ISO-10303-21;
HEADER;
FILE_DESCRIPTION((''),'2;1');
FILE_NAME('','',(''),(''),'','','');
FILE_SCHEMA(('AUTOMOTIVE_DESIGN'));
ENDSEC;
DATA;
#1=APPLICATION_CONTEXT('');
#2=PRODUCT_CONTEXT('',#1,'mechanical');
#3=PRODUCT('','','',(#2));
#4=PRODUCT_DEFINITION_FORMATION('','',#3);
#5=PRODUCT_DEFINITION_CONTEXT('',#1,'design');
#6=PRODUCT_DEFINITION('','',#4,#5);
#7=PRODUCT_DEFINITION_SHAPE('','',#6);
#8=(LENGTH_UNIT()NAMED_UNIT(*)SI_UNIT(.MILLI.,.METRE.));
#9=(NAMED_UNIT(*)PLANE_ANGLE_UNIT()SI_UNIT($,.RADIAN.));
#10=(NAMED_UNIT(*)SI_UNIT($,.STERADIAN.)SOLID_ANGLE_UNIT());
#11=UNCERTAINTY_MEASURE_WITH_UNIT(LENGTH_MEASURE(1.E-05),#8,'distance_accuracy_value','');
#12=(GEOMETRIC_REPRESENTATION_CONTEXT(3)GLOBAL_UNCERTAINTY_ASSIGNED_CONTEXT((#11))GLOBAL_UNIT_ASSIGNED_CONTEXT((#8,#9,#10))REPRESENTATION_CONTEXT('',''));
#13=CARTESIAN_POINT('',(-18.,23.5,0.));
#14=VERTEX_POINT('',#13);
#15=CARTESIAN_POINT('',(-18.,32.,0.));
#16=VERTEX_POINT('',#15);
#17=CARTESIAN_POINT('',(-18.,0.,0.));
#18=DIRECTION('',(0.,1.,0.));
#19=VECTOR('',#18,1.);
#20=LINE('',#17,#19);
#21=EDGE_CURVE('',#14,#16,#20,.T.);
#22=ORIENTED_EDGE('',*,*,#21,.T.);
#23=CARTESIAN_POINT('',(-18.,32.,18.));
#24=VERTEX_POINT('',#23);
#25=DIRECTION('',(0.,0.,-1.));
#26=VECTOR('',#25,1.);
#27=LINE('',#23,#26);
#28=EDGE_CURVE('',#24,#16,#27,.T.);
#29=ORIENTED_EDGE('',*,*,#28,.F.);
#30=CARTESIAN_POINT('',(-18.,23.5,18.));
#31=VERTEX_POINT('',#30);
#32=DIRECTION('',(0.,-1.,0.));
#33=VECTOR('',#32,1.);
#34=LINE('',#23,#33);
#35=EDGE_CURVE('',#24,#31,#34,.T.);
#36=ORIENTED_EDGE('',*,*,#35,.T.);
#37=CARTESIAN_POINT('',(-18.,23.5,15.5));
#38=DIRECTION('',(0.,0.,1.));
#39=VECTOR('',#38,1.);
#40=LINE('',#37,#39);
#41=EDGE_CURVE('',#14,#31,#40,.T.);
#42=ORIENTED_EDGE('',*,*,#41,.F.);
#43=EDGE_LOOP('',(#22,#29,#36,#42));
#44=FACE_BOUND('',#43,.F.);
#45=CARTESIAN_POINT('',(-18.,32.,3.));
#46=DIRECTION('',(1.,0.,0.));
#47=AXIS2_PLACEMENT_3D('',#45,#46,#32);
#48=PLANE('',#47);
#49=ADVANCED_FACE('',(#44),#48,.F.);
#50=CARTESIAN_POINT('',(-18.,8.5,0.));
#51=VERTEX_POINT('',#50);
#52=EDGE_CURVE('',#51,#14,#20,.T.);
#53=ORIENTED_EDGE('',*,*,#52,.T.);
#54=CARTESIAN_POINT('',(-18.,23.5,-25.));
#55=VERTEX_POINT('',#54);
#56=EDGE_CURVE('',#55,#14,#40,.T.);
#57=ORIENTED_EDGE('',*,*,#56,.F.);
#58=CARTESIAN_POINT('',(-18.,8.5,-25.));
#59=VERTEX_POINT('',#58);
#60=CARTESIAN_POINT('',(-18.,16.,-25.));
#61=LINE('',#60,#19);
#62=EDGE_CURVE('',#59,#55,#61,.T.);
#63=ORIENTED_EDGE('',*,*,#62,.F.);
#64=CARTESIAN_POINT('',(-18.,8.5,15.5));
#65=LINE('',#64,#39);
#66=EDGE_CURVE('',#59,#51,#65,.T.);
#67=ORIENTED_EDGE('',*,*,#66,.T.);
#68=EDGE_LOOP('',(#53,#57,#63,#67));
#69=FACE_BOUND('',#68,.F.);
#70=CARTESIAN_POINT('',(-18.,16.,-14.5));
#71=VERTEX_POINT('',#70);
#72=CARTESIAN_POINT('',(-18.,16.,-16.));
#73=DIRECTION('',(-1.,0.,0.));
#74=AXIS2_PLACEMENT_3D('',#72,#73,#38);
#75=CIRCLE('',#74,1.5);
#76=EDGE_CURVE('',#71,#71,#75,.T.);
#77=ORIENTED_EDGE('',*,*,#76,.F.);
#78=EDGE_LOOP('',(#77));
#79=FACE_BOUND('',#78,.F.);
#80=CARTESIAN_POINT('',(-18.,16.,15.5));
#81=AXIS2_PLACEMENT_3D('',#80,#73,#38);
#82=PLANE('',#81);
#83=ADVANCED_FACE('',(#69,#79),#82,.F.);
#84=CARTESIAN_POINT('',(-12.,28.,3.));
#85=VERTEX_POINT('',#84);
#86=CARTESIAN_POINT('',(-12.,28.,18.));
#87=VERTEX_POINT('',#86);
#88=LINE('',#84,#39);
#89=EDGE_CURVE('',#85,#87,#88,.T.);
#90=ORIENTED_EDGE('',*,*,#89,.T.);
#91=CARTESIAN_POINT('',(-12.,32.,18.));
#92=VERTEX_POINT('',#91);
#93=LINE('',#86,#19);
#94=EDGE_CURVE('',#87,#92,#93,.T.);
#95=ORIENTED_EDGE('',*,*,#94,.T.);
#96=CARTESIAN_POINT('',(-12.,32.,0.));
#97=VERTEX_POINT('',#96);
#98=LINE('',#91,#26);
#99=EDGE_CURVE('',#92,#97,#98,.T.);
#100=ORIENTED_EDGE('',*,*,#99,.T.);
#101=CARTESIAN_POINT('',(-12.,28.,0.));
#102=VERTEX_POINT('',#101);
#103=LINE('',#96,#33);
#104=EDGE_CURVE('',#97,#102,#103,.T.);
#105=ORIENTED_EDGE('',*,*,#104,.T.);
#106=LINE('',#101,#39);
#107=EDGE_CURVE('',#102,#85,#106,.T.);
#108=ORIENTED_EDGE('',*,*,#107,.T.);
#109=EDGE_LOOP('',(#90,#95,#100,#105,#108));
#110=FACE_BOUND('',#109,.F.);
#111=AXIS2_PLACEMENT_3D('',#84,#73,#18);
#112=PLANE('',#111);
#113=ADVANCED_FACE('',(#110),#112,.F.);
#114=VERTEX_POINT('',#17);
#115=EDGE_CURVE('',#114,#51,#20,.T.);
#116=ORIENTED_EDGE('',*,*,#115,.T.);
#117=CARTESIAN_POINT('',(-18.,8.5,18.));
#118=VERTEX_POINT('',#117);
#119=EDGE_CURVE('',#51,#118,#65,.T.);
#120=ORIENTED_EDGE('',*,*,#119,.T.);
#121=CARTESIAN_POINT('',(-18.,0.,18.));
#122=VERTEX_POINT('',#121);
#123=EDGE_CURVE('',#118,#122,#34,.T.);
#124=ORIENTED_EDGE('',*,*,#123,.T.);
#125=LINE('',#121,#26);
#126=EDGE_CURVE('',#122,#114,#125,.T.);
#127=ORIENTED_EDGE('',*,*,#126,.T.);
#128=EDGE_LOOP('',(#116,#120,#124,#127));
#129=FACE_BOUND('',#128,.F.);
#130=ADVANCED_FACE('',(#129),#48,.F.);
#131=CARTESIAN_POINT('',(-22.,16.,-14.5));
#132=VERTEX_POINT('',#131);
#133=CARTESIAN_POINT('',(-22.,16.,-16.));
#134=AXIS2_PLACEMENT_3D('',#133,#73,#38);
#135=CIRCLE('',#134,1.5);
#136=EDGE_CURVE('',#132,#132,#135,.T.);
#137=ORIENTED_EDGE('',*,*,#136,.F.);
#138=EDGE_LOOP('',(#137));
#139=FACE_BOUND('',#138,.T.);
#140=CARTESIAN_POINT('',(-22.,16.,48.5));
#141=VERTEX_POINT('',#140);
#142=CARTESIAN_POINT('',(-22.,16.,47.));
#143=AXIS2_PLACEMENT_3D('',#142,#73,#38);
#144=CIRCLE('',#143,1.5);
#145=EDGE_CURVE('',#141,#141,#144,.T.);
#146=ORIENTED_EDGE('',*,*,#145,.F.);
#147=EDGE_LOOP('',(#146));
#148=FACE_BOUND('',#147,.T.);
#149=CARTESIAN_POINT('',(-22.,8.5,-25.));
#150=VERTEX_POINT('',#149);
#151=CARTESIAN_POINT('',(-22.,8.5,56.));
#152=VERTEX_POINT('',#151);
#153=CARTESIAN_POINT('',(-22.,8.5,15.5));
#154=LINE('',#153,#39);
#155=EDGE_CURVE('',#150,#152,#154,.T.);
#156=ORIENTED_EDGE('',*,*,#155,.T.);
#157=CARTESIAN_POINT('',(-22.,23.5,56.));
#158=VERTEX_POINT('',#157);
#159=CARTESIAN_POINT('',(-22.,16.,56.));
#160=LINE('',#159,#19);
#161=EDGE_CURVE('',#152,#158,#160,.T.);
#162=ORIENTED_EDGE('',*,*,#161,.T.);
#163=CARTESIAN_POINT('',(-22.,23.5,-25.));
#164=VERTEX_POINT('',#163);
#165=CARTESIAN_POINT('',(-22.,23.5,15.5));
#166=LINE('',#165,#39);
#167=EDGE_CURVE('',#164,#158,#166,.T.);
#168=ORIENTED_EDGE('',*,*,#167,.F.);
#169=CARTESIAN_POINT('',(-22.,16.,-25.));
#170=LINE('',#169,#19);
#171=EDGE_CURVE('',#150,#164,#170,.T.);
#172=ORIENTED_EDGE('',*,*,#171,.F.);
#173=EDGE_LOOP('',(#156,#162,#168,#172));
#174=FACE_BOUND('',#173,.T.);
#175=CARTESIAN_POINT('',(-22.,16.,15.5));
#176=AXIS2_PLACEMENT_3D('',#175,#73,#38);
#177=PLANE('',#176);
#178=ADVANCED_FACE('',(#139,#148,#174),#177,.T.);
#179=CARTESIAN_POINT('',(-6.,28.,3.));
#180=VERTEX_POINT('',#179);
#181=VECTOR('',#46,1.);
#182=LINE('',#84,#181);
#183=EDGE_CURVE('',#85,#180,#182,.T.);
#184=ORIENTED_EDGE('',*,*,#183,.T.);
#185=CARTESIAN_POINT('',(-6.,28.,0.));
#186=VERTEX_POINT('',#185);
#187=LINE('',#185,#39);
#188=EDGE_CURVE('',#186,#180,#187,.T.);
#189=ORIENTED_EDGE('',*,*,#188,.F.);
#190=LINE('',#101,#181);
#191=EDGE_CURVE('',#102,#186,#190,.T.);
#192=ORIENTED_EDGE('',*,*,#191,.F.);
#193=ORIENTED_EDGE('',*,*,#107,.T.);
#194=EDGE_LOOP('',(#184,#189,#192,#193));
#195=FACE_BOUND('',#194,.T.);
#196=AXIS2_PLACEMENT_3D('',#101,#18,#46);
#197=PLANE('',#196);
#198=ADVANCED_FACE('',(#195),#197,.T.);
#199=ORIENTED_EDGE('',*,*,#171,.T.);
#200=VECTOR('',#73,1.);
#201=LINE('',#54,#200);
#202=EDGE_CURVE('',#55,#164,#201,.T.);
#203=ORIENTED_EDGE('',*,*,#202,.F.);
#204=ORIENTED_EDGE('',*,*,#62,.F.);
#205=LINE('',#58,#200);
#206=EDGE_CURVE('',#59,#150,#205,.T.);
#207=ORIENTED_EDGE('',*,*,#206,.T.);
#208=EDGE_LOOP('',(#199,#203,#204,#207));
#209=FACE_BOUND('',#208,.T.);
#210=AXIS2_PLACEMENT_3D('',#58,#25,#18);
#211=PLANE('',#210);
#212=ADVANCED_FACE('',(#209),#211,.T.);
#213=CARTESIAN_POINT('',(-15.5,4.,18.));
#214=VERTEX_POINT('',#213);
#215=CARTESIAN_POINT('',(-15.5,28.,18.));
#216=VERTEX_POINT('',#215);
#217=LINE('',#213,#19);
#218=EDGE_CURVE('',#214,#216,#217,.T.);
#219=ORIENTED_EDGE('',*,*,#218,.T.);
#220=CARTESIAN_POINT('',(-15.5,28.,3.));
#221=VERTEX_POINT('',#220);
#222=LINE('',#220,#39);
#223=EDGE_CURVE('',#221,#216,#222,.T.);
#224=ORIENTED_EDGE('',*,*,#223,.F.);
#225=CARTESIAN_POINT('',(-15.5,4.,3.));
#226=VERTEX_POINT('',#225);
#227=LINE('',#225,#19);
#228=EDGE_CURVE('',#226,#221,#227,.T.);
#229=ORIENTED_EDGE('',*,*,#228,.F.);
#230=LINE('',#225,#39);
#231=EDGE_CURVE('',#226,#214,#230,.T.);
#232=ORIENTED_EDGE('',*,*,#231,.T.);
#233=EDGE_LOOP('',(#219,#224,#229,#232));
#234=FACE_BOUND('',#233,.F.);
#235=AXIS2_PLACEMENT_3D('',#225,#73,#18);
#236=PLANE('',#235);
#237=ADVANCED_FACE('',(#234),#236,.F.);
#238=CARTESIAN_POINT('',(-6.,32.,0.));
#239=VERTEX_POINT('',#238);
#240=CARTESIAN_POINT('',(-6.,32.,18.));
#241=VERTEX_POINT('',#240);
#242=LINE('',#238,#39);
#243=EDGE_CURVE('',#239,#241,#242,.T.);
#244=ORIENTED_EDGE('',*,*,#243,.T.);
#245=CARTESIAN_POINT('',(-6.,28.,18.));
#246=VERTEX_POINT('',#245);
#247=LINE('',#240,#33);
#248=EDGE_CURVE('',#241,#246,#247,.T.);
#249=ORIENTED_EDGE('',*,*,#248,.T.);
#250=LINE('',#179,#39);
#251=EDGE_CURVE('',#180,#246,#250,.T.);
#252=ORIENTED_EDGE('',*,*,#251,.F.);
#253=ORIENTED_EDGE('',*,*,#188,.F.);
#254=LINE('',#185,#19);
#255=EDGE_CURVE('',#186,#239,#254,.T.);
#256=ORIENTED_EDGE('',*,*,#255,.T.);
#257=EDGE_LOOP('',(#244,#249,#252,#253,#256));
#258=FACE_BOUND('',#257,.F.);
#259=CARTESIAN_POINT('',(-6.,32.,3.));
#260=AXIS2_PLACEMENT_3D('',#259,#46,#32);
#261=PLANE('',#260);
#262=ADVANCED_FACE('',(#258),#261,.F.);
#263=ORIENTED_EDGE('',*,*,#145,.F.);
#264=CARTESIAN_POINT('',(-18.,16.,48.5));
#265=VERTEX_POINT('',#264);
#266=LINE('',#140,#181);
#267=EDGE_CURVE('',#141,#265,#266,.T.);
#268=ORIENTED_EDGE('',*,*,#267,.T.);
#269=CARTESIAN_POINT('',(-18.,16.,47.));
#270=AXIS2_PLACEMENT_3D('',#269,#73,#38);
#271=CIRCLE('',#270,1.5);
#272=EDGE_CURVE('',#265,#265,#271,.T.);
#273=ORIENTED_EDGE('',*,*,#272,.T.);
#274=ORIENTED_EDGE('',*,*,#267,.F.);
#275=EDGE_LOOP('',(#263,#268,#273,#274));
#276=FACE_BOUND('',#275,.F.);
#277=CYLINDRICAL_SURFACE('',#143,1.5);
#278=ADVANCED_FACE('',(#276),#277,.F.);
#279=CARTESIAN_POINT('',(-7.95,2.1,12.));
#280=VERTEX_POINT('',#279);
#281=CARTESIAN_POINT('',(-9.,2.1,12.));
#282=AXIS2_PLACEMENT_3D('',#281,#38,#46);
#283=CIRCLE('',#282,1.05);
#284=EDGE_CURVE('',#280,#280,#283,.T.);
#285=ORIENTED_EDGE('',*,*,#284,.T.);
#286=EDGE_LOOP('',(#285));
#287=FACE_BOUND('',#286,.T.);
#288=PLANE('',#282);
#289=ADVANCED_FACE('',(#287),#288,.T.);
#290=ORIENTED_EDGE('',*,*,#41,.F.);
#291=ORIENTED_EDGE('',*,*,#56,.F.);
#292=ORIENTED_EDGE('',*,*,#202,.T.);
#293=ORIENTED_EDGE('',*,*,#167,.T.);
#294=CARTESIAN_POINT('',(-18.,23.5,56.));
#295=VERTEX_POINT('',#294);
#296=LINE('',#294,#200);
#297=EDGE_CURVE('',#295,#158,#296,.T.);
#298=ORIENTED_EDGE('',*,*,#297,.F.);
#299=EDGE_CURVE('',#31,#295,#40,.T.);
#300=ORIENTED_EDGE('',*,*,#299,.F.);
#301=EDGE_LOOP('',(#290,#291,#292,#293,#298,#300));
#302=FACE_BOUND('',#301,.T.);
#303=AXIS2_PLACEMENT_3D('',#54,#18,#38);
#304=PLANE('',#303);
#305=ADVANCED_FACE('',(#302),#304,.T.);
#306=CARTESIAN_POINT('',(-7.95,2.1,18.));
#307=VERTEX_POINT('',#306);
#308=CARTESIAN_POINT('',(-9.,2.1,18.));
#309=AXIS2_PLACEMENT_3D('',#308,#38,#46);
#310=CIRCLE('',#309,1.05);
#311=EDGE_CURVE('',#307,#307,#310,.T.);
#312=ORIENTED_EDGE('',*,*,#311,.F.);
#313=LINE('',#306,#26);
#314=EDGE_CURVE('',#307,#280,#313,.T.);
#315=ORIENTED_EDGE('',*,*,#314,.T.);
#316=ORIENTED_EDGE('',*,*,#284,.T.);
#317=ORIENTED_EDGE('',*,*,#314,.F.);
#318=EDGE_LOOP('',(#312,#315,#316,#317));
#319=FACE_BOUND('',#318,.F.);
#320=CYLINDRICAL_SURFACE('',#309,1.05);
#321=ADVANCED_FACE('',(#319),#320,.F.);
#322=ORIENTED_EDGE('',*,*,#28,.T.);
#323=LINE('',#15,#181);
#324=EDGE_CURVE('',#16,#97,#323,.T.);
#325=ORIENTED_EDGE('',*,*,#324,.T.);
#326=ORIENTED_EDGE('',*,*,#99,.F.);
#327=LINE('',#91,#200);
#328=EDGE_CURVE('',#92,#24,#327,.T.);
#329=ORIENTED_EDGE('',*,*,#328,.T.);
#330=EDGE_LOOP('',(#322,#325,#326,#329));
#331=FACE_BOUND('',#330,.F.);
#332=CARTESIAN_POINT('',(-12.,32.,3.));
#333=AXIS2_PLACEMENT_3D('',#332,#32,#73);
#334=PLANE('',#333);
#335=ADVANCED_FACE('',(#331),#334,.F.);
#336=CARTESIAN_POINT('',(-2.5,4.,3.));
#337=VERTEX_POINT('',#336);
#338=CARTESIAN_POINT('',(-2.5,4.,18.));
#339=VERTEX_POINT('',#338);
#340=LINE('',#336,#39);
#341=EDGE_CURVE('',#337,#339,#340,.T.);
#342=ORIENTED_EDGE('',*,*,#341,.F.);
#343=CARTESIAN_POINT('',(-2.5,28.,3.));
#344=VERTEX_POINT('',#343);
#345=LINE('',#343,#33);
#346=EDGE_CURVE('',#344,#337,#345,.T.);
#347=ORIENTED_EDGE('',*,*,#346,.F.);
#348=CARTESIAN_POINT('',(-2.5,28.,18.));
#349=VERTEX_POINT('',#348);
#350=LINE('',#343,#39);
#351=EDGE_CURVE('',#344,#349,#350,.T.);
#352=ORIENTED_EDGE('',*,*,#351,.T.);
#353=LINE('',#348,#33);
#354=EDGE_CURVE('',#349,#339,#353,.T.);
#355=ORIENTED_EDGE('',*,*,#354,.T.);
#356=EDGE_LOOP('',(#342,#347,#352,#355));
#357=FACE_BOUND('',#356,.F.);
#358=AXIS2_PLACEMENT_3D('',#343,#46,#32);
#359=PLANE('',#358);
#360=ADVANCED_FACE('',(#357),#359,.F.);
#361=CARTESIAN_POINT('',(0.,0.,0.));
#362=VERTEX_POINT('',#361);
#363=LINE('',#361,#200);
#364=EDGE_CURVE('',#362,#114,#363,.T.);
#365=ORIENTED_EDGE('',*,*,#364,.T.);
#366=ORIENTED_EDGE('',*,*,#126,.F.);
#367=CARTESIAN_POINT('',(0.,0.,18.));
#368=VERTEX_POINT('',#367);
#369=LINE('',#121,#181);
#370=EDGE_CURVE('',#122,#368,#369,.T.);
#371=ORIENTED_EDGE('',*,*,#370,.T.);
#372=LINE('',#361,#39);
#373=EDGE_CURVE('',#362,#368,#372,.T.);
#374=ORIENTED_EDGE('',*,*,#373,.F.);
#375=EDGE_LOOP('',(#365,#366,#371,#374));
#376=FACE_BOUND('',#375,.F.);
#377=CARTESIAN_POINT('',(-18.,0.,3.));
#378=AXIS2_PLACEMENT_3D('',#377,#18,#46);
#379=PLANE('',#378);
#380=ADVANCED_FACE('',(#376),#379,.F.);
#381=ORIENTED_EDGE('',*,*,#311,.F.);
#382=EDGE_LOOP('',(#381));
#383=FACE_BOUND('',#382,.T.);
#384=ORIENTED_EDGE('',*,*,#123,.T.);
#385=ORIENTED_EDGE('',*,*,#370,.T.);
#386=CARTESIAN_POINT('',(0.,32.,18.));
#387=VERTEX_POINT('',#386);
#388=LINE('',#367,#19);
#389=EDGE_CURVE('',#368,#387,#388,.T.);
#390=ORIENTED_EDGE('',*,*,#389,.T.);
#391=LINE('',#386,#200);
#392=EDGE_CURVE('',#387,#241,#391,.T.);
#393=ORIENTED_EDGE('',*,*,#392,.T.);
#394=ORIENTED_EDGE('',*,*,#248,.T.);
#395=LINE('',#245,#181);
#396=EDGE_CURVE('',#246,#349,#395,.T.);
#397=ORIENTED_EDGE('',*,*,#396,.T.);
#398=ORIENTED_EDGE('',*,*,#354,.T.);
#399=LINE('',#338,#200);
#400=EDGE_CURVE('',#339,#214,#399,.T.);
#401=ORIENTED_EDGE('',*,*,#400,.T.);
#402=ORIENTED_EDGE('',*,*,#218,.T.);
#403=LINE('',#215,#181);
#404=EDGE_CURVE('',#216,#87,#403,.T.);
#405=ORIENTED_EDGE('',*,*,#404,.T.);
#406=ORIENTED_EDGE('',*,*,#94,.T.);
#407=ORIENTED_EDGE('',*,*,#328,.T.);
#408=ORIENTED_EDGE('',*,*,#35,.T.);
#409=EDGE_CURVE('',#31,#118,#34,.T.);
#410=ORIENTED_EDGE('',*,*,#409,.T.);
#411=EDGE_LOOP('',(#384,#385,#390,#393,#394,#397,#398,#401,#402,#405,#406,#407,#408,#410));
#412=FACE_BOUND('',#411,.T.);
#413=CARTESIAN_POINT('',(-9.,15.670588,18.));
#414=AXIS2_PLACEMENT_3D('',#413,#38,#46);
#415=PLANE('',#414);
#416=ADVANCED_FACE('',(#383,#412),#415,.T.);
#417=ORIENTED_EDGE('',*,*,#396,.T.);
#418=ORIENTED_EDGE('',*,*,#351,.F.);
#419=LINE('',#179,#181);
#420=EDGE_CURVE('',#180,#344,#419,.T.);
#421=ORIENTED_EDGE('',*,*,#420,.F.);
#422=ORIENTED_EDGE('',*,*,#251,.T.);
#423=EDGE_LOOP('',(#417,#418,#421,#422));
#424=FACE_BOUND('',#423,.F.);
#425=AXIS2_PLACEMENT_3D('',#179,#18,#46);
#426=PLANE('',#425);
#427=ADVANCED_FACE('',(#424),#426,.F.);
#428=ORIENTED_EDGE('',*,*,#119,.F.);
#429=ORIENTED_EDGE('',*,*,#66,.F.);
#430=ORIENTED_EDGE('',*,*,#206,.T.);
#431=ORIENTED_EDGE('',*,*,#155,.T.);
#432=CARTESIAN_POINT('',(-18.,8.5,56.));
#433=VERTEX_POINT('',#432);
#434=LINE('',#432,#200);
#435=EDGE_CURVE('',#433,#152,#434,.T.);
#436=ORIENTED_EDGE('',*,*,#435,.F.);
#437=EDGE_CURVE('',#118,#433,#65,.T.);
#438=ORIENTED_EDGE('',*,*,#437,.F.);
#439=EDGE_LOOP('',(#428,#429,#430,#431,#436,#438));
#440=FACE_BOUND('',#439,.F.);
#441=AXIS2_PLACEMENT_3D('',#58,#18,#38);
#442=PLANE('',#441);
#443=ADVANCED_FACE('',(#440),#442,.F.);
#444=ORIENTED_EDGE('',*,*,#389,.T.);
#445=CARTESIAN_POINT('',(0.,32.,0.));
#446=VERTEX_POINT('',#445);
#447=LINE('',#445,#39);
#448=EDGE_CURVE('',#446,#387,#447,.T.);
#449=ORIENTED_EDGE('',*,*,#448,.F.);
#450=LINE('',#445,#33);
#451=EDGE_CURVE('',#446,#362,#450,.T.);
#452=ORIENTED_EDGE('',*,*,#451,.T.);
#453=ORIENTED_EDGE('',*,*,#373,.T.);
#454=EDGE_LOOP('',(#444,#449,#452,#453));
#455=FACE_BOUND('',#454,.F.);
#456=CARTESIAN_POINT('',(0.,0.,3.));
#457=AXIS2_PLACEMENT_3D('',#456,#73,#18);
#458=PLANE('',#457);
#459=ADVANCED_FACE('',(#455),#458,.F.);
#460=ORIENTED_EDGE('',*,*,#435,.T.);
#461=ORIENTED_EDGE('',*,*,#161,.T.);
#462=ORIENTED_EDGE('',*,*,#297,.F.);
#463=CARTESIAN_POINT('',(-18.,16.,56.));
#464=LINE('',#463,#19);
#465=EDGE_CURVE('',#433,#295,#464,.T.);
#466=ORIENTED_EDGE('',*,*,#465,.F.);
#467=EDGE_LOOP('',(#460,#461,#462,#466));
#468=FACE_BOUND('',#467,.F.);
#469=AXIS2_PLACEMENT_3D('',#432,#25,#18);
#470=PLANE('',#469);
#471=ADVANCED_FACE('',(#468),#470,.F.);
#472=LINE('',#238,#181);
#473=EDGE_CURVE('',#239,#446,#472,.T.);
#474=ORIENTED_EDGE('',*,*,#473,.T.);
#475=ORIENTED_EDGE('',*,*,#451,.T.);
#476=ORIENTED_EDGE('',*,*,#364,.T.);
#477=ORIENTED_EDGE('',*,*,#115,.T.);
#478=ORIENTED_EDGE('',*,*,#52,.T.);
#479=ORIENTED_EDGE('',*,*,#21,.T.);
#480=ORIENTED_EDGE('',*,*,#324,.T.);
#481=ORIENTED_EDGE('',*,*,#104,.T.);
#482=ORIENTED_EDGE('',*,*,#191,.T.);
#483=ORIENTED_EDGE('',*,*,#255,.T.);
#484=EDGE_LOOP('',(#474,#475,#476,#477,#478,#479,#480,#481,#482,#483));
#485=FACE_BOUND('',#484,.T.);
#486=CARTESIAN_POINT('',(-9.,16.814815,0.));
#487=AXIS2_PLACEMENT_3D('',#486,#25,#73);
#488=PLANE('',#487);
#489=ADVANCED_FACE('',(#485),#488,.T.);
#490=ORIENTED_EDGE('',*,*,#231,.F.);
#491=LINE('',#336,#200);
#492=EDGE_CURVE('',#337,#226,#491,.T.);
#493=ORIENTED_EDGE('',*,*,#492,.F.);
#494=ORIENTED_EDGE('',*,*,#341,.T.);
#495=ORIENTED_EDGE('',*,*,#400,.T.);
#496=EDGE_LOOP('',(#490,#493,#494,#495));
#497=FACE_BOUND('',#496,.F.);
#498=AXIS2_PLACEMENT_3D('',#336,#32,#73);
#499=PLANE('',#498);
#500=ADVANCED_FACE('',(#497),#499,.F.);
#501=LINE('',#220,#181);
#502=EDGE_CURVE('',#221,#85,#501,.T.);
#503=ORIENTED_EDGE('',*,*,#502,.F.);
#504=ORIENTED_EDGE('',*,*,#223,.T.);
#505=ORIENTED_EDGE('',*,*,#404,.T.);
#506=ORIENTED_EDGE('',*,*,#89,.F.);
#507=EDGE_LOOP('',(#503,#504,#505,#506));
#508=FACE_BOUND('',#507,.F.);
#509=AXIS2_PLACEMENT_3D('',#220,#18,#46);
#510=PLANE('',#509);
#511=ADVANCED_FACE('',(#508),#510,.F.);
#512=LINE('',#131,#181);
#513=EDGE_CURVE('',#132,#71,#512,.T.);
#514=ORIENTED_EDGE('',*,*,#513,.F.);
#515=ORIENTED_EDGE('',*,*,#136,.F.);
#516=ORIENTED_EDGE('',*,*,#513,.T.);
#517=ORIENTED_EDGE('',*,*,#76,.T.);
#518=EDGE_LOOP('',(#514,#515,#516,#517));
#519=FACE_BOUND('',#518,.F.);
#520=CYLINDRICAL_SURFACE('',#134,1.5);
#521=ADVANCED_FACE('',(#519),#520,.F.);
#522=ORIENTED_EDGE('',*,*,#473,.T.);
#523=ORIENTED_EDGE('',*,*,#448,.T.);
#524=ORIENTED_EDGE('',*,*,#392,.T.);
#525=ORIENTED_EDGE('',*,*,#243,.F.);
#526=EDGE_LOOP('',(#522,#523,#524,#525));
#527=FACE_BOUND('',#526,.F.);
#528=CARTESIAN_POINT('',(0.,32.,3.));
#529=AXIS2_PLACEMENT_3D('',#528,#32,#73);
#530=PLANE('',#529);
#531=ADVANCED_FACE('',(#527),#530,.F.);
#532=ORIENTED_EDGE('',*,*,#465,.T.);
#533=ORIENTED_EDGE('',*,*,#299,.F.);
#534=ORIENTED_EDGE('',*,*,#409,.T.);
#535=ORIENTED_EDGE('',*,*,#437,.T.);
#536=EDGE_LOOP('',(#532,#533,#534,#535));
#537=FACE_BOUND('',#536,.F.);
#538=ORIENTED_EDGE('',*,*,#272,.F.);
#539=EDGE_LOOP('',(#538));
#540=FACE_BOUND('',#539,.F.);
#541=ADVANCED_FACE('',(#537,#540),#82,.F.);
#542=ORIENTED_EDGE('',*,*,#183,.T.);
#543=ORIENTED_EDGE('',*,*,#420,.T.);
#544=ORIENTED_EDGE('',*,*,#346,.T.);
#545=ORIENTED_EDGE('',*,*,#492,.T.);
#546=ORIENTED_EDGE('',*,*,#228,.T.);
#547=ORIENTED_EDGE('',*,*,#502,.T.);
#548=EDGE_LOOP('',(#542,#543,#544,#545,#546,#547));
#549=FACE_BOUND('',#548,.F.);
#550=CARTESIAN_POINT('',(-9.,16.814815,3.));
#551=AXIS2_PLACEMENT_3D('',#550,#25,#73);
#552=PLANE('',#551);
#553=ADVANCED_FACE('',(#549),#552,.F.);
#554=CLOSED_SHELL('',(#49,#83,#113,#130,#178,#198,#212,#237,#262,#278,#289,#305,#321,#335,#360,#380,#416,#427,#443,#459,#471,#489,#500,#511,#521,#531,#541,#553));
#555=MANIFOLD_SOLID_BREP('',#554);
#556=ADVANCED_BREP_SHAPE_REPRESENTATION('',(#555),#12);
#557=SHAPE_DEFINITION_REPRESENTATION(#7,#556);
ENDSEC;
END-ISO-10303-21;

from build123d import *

# Parameters (mm, degrees)
BOSS_EXTRU_1_DEPTH      = 3
BOSS_EXTRU_2_DEPTH      = 15
ESQUISSE3_R             = 1.05
ENL_V_MAT_EXTRU_1_DEPTH = 6
ESQUISSE4_W             = 81
ESQUISSE4_H             = 15
BOSS_EXTRU_3_DEPTH      = 4
ESQUISSE5_R             = 1.5
ENL_V_MAT_EXTRU_2_DEPTH = 4


with BuildPart() as part:
    # Esquisse1 → Boss.-Extru.1 (new body)
    with BuildSketch(Plane.XY):
        Polygon((-12, 32), (-12, 28), (-6, 28), (-6, 32), (0, 32), (0, 0), (-18, 0), (-18, 32), align=None)
    extrude(amount=BOSS_EXTRU_1_DEPTH)

    # Esquisse2 → Boss.-Extru.2 (add)
    with BuildSketch(Plane.XY.offset(3)):
        Polygon((-18, 0), (0, 0), (0, 32), (-6, 32), (-6, 28), (-2.5, 28), (-2.5, 4), (-15.5, 4), (-15.5, 28), (-12, 28), (-12, 32), (-18, 32), align=None)
    extrude(amount=BOSS_EXTRU_2_DEPTH)

    # Esquisse3 → Enlèv. mat.-Extru.1 (cut)
    with BuildSketch(Plane.XY.offset(18)):
        with Locations((-9, 2.1)):
            Circle(ESQUISSE3_R)
    extrude(amount=-ENL_V_MAT_EXTRU_1_DEPTH, mode=Mode.SUBTRACT)

    # Esquisse4 → Boss.-Extru.3 (add)
    with BuildSketch(Plane.ZY.offset(18)):
        with Locations((15.5, 16)):
            Rectangle(ESQUISSE4_W, ESQUISSE4_H)
    extrude(amount=BOSS_EXTRU_3_DEPTH)

    # Esquisse5 → Enlèv. mat.-Extru.2 (cut)
    with BuildSketch(Plane.ZY.offset(22)):
        with Locations((-16, 16)):
            Circle(ESQUISSE5_R)
        with Locations((47, 16)):
            Circle(ESQUISSE5_R)
    extrude(amount=-ENL_V_MAT_EXTRU_2_DEPTH, mode=Mode.SUBTRACT)


solid = part.part
